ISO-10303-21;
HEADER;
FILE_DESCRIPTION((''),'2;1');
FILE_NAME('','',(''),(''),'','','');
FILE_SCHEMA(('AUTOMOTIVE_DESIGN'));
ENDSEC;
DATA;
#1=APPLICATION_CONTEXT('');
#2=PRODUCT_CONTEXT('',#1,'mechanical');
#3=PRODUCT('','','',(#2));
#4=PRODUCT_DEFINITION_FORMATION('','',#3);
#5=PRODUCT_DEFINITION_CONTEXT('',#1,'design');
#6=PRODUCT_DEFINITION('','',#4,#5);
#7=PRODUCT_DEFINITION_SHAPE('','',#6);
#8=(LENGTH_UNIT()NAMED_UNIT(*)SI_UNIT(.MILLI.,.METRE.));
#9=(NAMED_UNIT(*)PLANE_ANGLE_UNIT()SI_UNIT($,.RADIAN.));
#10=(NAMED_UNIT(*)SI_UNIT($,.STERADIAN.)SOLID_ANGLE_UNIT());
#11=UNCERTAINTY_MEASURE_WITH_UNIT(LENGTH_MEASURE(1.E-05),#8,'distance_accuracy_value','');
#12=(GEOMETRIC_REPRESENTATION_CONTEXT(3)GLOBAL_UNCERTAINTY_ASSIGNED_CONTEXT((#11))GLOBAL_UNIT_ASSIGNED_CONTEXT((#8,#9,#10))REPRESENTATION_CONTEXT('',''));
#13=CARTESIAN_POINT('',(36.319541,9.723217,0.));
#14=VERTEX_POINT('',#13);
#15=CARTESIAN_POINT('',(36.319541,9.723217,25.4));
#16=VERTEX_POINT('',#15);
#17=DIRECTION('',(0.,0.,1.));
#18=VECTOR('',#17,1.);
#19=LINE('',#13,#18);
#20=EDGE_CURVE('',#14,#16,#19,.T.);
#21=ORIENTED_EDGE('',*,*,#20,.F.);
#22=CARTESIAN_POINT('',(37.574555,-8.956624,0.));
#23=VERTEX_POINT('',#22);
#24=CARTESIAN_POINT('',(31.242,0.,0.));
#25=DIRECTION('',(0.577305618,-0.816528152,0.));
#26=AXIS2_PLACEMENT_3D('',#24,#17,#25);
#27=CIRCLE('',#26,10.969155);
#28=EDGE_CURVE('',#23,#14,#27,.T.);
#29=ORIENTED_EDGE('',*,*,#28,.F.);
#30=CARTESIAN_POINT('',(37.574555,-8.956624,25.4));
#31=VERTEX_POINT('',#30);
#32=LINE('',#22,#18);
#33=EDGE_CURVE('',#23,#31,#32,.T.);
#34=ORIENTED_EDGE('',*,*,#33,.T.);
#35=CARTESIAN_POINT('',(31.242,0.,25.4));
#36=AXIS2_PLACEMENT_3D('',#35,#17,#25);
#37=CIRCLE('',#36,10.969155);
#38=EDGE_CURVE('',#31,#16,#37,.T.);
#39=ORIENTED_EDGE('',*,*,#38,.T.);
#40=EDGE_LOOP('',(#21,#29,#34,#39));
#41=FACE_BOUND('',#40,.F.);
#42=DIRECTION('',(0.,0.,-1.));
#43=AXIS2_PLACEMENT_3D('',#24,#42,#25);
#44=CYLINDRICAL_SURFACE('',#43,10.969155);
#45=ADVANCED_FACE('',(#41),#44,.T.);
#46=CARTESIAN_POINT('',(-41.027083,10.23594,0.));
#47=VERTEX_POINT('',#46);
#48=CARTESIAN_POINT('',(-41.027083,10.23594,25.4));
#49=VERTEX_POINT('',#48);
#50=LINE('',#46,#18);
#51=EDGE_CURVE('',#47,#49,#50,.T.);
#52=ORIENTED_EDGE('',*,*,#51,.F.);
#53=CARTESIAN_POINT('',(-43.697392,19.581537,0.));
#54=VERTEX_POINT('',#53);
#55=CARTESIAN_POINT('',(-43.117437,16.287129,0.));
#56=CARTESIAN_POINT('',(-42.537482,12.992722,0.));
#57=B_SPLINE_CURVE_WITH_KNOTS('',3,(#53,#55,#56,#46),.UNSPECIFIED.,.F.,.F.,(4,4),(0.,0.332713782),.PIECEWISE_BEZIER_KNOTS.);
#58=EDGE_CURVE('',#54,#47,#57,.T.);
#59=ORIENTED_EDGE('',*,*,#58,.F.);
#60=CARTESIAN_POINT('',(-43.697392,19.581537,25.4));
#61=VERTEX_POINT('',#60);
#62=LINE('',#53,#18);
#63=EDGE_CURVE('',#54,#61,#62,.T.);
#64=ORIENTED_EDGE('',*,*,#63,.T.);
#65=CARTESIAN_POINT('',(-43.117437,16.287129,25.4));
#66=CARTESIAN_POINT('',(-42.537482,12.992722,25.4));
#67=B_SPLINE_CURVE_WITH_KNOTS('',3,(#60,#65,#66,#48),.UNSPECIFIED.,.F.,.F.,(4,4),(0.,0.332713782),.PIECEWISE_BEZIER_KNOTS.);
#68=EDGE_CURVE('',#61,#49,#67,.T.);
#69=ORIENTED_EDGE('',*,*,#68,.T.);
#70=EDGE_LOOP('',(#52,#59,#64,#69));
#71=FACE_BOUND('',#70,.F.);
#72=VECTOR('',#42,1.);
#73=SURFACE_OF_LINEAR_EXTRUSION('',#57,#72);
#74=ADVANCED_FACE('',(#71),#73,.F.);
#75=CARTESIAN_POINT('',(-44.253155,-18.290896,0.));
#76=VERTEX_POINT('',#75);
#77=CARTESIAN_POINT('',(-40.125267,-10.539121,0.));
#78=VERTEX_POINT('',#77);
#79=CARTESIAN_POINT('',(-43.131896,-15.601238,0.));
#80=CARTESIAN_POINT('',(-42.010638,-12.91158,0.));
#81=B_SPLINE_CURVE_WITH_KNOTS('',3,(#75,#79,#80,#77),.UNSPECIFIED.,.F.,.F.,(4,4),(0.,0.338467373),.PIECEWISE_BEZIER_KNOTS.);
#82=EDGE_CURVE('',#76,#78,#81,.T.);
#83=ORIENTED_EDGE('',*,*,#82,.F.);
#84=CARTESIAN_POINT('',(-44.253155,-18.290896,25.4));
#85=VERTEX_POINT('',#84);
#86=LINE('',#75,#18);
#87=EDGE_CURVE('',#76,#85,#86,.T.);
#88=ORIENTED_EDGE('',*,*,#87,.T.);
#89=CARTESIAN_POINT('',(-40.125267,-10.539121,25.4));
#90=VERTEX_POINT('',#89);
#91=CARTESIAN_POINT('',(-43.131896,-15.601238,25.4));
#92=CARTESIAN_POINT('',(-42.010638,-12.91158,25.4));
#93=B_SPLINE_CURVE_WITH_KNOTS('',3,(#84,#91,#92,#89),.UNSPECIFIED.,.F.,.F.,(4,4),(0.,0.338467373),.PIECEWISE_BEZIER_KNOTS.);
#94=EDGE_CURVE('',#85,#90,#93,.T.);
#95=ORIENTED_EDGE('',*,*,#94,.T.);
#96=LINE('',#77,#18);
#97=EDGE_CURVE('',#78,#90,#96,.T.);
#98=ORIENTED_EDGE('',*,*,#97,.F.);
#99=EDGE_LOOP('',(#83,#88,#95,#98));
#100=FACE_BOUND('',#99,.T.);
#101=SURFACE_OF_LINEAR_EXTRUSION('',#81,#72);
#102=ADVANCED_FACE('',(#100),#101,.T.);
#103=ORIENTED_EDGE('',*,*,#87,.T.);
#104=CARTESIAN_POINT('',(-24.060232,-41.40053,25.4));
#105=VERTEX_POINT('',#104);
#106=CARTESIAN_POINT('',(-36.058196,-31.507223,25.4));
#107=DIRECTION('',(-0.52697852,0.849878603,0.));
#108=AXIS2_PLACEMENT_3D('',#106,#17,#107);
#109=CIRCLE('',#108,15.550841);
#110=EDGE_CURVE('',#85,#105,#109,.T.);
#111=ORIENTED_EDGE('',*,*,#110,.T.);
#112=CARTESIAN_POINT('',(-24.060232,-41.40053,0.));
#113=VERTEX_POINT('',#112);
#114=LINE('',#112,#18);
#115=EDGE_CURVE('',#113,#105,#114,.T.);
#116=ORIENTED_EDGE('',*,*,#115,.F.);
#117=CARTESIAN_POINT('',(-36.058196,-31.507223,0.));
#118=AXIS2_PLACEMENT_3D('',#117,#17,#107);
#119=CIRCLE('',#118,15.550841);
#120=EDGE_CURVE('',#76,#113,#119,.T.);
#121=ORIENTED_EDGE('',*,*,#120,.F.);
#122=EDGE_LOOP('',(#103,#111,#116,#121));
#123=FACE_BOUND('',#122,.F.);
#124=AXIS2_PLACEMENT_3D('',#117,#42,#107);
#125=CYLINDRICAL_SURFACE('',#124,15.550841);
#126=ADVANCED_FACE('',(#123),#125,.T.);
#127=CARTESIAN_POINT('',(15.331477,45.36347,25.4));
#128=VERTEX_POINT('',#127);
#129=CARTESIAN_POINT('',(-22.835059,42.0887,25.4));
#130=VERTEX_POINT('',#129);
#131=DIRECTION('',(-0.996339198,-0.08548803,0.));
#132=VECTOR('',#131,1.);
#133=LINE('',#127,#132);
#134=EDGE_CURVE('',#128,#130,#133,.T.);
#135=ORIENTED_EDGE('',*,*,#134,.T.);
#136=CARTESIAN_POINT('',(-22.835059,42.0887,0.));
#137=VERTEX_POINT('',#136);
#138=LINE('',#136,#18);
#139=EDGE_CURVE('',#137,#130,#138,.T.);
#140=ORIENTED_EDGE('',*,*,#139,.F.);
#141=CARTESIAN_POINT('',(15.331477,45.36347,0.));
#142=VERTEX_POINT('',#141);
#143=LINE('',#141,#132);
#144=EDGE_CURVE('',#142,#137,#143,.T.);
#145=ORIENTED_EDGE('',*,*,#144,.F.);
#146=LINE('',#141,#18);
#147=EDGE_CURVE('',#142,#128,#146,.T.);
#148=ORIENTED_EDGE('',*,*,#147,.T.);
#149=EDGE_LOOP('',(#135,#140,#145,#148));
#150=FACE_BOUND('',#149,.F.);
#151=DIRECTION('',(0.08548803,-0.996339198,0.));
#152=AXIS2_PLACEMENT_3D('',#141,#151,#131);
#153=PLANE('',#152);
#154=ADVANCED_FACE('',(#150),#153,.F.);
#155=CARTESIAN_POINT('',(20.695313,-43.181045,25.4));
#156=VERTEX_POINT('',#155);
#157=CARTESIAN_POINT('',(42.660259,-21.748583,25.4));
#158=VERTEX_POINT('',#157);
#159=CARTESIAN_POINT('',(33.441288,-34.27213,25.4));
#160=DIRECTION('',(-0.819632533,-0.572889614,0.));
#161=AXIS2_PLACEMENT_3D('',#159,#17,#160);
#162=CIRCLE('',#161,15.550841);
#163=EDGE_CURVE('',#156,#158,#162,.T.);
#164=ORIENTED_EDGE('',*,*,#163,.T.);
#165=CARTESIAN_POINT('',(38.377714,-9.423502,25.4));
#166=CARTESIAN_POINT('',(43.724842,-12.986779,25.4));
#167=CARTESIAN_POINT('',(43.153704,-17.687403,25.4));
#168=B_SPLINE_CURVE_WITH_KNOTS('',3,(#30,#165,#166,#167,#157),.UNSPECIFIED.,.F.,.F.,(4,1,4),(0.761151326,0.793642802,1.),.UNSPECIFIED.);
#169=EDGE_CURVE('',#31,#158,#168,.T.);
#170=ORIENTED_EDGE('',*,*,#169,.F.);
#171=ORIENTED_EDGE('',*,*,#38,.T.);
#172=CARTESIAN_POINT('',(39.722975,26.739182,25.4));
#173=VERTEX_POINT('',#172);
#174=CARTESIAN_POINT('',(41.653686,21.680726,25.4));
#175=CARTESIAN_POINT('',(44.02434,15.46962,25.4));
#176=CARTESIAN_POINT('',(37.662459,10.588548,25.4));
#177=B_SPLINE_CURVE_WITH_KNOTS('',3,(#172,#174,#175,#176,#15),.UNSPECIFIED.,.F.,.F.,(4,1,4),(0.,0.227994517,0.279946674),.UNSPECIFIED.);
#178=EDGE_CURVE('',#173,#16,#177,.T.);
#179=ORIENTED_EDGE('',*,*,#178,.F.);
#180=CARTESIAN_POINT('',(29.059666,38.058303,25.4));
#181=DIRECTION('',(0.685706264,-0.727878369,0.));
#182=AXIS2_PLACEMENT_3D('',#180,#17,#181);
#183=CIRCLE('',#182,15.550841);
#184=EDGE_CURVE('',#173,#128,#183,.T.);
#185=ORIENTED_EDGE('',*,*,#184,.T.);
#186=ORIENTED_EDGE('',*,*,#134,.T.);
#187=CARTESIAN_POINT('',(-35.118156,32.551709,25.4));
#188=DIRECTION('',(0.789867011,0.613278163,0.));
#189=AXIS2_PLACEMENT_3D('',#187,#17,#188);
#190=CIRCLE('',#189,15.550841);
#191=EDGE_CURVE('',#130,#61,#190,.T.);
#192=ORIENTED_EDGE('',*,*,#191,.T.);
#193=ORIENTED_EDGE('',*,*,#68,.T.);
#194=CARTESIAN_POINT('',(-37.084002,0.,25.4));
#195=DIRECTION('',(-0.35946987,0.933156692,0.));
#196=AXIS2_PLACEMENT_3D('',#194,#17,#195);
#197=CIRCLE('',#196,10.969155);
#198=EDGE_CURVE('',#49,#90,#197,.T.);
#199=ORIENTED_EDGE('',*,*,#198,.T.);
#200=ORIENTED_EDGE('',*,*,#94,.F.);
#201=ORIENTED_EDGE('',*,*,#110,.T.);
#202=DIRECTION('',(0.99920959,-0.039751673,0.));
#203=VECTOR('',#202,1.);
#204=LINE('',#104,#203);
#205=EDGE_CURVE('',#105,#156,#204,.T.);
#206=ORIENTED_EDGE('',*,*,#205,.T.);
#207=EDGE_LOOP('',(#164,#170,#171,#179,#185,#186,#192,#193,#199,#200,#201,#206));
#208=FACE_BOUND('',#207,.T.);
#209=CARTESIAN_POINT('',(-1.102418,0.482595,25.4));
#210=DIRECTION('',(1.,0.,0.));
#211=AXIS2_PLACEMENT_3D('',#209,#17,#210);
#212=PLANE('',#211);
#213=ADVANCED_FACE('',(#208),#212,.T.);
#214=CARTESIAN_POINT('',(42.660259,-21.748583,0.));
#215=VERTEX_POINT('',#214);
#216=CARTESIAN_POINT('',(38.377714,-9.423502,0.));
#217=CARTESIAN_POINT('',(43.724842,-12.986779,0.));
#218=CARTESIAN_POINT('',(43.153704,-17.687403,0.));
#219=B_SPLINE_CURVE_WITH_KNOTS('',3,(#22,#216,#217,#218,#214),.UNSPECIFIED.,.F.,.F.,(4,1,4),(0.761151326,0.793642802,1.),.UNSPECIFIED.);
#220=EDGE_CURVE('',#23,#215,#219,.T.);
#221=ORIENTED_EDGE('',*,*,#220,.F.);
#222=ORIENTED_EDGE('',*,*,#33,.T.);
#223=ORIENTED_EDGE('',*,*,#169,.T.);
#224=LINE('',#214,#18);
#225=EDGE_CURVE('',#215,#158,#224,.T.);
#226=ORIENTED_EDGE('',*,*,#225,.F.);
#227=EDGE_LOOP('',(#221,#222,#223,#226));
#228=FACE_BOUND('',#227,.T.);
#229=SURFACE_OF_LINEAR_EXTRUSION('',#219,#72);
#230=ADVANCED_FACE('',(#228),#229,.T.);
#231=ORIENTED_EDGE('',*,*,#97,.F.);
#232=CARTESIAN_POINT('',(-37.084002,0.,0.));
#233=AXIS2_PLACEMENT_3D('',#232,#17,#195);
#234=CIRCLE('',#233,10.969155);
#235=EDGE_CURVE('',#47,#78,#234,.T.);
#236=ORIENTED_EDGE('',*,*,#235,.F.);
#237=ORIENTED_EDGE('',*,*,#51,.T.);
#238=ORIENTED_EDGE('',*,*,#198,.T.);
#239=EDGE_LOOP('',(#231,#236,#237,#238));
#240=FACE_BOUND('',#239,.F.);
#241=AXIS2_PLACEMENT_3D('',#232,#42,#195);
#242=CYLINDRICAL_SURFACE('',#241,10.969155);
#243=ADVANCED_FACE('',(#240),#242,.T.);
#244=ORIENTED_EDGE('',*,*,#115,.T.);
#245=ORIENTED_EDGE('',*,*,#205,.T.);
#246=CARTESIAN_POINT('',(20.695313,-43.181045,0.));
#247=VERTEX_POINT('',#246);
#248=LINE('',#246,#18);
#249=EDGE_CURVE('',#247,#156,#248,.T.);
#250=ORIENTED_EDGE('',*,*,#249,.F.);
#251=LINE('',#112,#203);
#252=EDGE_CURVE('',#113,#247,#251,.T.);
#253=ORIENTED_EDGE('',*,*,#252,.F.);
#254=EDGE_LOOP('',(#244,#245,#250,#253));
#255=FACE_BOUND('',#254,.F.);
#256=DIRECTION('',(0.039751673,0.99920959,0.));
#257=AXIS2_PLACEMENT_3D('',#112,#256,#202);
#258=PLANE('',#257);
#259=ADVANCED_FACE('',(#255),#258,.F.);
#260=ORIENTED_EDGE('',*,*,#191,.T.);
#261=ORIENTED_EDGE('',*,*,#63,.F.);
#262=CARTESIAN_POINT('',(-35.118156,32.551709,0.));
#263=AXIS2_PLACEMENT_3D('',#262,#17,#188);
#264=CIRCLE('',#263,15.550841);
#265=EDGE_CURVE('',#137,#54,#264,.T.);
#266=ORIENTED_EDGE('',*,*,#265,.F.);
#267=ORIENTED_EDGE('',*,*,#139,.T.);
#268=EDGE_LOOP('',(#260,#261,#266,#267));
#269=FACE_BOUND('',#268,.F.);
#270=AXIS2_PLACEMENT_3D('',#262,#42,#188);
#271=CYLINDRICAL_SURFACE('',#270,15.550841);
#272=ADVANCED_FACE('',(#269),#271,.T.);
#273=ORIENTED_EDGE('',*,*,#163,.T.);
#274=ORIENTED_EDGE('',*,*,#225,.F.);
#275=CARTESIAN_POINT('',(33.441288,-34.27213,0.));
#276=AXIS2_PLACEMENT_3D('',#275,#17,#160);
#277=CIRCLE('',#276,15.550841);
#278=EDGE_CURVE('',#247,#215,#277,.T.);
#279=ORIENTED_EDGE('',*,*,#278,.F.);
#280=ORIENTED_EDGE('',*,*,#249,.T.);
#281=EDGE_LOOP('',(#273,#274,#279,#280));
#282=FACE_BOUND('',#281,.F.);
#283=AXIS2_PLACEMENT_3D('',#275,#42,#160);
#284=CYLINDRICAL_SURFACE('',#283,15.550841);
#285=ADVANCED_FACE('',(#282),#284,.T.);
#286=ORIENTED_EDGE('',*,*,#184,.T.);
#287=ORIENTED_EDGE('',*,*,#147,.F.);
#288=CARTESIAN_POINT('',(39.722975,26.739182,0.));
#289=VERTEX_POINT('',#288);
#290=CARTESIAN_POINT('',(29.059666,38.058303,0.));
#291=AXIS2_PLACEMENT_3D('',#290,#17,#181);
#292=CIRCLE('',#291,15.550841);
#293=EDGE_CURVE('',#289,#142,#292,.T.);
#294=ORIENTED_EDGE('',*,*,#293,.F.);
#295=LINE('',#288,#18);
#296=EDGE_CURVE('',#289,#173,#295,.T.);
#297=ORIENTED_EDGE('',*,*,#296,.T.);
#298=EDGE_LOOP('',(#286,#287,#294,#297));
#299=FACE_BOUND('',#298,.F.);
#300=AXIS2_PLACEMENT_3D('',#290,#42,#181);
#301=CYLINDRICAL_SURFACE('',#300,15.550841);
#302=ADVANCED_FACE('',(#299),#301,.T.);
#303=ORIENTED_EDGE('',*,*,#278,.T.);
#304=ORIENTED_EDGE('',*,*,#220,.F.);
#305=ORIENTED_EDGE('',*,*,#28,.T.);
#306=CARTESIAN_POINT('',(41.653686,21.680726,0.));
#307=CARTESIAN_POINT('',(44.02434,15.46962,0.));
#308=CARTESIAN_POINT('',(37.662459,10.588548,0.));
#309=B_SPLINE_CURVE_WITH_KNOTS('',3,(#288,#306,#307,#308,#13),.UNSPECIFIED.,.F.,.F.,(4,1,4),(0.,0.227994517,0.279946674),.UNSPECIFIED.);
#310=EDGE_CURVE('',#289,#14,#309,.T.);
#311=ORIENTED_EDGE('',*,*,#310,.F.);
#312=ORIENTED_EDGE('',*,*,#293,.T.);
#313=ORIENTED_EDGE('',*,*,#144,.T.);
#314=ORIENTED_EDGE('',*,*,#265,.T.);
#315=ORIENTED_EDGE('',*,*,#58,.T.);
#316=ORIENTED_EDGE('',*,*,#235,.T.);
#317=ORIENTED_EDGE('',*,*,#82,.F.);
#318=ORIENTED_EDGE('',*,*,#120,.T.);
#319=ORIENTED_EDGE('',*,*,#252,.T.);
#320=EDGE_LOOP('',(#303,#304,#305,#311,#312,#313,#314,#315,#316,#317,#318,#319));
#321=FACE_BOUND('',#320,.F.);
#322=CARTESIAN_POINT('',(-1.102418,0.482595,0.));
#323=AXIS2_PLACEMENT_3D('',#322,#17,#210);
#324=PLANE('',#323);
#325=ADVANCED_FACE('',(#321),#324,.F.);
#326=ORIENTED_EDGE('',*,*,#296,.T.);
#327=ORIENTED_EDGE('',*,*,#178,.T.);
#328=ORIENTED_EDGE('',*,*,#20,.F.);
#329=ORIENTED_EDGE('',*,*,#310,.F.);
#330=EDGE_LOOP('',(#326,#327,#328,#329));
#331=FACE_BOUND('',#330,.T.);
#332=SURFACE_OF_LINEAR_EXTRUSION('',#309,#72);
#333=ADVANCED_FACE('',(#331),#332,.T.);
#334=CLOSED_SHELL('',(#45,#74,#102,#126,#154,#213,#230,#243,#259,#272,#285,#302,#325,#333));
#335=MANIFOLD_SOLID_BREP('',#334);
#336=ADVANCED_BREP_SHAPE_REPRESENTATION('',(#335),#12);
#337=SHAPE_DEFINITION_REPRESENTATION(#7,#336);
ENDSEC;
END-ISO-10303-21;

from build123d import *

# Parameters (mm, degrees)
F1_DEPTH = 25.4


with BuildPart() as f1:
    # F0 (on Top) → F1 (new body)
    with BuildSketch(Plane.XY):
        with BuildLine():
            Line((15.3314765699, 45.3634702184), (-22.8350594245, 42.0886999699))
            ThreePointArc((-22.8350594245, 42.0886999699), (-46.5230995583, 43.1231755121), (-43.6973915181, 19.5815366758))
            add(Edge.make_bspline(
                [(-43.6973915181, 19.5815366758), (-43.1174367744, 16.2871292149), (-42.5374820306, 12.9927217539), (-41.0270827556, 10.2359403638)],
                knots=[0, 0, 0, 0, 0.3327137819, 0.3327137819, 0.3327137819, 0.3327137819], degree=3))
            add(Edge.make_bspline(
                [(-41.0270827556, 10.2359403638), (-40.5110375862, 9.2940545041), (-36.8442315299, 4.1334897017), (-28.1561256987, 1.87431405), (-20.9480811119, 0)],
                knots=[0.3327137819, 0.3327137819, 0.3327137819, 0.3327137819, 0.4463892469, 1, 1, 1, 1], degree=3))
            add(Edge.make_bspline(
                [(-40.1252666441, -10.5391209432), (-39.599730448, -9.8778116964), (-35.498491994, -5.4136644053), (-27.6646682205, -2.4989911865), (-20.9480811119, 0)],
                knots=[0.3384673734, 0.3384673734, 0.3384673734, 0.3384673734, 0.4328131906, 1, 1, 1, 1], degree=3))
            add(Edge.make_bspline(
                [(-44.2531548049, -18.2908964757), (-43.1318961623, -15.6012383193), (-42.0106375198, -12.911580163), (-40.1252666441, -10.5391209432)],
                knots=[0, 0, 0, 0, 0.3384673734, 0.3384673734, 0.3384673734, 0.3384673734], degree=3))
            ThreePointArc((-44.2531548049, -18.2908964757), (-47.768426214, -41.7394838947), (-24.0602315313, -41.4005297397))
            Line((-24.0602315313, -41.4005297397), (20.6953128024, -43.1810448239))
            ThreePointArc((20.6953128024, -43.1810448239), (44.3016536318, -45.4023187101), (42.6602594814, -21.7485830585))
            add(Edge.make_bspline(
                [(37.5745547292, -8.9566238299), (38.377714123, -9.423502034), (43.7248416865, -12.9867792586), (43.1537035595, -17.6874028342), (42.6602594814, -21.7485830585)],
                knots=[0.7611513259, 0.7611513259, 0.7611513259, 0.7611513259, 0.7936428016, 1, 1, 1, 1], degree=3))
            add(Edge.make_bspline(
                [(36.319540598, 9.7232166209), (30.2639633531, 5.8212058143), (11.0469761522, -0.50266664), (31.4704630142, -5.408302787), (37.5745547292, -8.9566238299)],
                knots=[0.2799466745, 0.2799466745, 0.2799466745, 0.2799466745, 0.5142128614, 0.7611513259, 0.7611513259, 0.7611513259, 0.7611513259], degree=3))
            add(Edge.make_bspline(
                [(39.7229749773, 26.7391821683), (41.6536861472, 21.6807257291), (44.0243403968, 15.4696199766), (37.6624586898, 10.5885479831), (36.319540598, 9.7232166209)],
                knots=[0, 0, 0, 0, 0.2279945174, 0.2799466745, 0.2799466745, 0.2799466745, 0.2799466745], degree=3))
            ThreePointArc((39.7229749773, 26.7391821683), (38.4970596178, 50.4180866311), (15.3314765699, 45.3634702184))
        make_face()
        with BuildLine():
            add(Edge.make_bspline(
                [(-41.0270827556, 10.2359403638), (-40.5110375862, 9.2940545041), (-36.8442315299, 4.1334897017), (-28.1561256987, 1.87431405), (-20.9480811119, 0)],
                knots=[0.3327137819, 0.3327137819, 0.3327137819, 0.3327137819, 0.4463892469, 1, 1, 1, 1], degree=3))
            ThreePointArc((-41.0270827556, 10.2359403638), (-48.0428369726, -0.4757075685), (-40.1252666441, -10.5391209432))
            add(Edge.make_bspline(
                [(-40.1252666441, -10.5391209432), (-39.599730448, -9.8778116964), (-35.498491994, -5.4136644053), (-27.6646682205, -2.4989911865), (-20.9480811119, 0)],
                knots=[0.3384673734, 0.3384673734, 0.3384673734, 0.3384673734, 0.4328131906, 1, 1, 1, 1], degree=3))
        make_face()
        with BuildLine():
            ThreePointArc((37.5745547292, -8.9566238299), (42.1864816242, 0.7353103047), (36.319540598, 9.7232166209))
            add(Edge.make_bspline(
                [(36.319540598, 9.7232166209), (30.2639633531, 5.8212058143), (11.0469761522, -0.50266664), (31.4704630142, -5.408302787), (37.5745547292, -8.9566238299)],
                knots=[0.2799466745, 0.2799466745, 0.2799466745, 0.2799466745, 0.5142128614, 0.7611513259, 0.7611513259, 0.7611513259, 0.7611513259], degree=3))
        make_face()
    extrude(amount=F1_DEPTH)


solid = f1.part
